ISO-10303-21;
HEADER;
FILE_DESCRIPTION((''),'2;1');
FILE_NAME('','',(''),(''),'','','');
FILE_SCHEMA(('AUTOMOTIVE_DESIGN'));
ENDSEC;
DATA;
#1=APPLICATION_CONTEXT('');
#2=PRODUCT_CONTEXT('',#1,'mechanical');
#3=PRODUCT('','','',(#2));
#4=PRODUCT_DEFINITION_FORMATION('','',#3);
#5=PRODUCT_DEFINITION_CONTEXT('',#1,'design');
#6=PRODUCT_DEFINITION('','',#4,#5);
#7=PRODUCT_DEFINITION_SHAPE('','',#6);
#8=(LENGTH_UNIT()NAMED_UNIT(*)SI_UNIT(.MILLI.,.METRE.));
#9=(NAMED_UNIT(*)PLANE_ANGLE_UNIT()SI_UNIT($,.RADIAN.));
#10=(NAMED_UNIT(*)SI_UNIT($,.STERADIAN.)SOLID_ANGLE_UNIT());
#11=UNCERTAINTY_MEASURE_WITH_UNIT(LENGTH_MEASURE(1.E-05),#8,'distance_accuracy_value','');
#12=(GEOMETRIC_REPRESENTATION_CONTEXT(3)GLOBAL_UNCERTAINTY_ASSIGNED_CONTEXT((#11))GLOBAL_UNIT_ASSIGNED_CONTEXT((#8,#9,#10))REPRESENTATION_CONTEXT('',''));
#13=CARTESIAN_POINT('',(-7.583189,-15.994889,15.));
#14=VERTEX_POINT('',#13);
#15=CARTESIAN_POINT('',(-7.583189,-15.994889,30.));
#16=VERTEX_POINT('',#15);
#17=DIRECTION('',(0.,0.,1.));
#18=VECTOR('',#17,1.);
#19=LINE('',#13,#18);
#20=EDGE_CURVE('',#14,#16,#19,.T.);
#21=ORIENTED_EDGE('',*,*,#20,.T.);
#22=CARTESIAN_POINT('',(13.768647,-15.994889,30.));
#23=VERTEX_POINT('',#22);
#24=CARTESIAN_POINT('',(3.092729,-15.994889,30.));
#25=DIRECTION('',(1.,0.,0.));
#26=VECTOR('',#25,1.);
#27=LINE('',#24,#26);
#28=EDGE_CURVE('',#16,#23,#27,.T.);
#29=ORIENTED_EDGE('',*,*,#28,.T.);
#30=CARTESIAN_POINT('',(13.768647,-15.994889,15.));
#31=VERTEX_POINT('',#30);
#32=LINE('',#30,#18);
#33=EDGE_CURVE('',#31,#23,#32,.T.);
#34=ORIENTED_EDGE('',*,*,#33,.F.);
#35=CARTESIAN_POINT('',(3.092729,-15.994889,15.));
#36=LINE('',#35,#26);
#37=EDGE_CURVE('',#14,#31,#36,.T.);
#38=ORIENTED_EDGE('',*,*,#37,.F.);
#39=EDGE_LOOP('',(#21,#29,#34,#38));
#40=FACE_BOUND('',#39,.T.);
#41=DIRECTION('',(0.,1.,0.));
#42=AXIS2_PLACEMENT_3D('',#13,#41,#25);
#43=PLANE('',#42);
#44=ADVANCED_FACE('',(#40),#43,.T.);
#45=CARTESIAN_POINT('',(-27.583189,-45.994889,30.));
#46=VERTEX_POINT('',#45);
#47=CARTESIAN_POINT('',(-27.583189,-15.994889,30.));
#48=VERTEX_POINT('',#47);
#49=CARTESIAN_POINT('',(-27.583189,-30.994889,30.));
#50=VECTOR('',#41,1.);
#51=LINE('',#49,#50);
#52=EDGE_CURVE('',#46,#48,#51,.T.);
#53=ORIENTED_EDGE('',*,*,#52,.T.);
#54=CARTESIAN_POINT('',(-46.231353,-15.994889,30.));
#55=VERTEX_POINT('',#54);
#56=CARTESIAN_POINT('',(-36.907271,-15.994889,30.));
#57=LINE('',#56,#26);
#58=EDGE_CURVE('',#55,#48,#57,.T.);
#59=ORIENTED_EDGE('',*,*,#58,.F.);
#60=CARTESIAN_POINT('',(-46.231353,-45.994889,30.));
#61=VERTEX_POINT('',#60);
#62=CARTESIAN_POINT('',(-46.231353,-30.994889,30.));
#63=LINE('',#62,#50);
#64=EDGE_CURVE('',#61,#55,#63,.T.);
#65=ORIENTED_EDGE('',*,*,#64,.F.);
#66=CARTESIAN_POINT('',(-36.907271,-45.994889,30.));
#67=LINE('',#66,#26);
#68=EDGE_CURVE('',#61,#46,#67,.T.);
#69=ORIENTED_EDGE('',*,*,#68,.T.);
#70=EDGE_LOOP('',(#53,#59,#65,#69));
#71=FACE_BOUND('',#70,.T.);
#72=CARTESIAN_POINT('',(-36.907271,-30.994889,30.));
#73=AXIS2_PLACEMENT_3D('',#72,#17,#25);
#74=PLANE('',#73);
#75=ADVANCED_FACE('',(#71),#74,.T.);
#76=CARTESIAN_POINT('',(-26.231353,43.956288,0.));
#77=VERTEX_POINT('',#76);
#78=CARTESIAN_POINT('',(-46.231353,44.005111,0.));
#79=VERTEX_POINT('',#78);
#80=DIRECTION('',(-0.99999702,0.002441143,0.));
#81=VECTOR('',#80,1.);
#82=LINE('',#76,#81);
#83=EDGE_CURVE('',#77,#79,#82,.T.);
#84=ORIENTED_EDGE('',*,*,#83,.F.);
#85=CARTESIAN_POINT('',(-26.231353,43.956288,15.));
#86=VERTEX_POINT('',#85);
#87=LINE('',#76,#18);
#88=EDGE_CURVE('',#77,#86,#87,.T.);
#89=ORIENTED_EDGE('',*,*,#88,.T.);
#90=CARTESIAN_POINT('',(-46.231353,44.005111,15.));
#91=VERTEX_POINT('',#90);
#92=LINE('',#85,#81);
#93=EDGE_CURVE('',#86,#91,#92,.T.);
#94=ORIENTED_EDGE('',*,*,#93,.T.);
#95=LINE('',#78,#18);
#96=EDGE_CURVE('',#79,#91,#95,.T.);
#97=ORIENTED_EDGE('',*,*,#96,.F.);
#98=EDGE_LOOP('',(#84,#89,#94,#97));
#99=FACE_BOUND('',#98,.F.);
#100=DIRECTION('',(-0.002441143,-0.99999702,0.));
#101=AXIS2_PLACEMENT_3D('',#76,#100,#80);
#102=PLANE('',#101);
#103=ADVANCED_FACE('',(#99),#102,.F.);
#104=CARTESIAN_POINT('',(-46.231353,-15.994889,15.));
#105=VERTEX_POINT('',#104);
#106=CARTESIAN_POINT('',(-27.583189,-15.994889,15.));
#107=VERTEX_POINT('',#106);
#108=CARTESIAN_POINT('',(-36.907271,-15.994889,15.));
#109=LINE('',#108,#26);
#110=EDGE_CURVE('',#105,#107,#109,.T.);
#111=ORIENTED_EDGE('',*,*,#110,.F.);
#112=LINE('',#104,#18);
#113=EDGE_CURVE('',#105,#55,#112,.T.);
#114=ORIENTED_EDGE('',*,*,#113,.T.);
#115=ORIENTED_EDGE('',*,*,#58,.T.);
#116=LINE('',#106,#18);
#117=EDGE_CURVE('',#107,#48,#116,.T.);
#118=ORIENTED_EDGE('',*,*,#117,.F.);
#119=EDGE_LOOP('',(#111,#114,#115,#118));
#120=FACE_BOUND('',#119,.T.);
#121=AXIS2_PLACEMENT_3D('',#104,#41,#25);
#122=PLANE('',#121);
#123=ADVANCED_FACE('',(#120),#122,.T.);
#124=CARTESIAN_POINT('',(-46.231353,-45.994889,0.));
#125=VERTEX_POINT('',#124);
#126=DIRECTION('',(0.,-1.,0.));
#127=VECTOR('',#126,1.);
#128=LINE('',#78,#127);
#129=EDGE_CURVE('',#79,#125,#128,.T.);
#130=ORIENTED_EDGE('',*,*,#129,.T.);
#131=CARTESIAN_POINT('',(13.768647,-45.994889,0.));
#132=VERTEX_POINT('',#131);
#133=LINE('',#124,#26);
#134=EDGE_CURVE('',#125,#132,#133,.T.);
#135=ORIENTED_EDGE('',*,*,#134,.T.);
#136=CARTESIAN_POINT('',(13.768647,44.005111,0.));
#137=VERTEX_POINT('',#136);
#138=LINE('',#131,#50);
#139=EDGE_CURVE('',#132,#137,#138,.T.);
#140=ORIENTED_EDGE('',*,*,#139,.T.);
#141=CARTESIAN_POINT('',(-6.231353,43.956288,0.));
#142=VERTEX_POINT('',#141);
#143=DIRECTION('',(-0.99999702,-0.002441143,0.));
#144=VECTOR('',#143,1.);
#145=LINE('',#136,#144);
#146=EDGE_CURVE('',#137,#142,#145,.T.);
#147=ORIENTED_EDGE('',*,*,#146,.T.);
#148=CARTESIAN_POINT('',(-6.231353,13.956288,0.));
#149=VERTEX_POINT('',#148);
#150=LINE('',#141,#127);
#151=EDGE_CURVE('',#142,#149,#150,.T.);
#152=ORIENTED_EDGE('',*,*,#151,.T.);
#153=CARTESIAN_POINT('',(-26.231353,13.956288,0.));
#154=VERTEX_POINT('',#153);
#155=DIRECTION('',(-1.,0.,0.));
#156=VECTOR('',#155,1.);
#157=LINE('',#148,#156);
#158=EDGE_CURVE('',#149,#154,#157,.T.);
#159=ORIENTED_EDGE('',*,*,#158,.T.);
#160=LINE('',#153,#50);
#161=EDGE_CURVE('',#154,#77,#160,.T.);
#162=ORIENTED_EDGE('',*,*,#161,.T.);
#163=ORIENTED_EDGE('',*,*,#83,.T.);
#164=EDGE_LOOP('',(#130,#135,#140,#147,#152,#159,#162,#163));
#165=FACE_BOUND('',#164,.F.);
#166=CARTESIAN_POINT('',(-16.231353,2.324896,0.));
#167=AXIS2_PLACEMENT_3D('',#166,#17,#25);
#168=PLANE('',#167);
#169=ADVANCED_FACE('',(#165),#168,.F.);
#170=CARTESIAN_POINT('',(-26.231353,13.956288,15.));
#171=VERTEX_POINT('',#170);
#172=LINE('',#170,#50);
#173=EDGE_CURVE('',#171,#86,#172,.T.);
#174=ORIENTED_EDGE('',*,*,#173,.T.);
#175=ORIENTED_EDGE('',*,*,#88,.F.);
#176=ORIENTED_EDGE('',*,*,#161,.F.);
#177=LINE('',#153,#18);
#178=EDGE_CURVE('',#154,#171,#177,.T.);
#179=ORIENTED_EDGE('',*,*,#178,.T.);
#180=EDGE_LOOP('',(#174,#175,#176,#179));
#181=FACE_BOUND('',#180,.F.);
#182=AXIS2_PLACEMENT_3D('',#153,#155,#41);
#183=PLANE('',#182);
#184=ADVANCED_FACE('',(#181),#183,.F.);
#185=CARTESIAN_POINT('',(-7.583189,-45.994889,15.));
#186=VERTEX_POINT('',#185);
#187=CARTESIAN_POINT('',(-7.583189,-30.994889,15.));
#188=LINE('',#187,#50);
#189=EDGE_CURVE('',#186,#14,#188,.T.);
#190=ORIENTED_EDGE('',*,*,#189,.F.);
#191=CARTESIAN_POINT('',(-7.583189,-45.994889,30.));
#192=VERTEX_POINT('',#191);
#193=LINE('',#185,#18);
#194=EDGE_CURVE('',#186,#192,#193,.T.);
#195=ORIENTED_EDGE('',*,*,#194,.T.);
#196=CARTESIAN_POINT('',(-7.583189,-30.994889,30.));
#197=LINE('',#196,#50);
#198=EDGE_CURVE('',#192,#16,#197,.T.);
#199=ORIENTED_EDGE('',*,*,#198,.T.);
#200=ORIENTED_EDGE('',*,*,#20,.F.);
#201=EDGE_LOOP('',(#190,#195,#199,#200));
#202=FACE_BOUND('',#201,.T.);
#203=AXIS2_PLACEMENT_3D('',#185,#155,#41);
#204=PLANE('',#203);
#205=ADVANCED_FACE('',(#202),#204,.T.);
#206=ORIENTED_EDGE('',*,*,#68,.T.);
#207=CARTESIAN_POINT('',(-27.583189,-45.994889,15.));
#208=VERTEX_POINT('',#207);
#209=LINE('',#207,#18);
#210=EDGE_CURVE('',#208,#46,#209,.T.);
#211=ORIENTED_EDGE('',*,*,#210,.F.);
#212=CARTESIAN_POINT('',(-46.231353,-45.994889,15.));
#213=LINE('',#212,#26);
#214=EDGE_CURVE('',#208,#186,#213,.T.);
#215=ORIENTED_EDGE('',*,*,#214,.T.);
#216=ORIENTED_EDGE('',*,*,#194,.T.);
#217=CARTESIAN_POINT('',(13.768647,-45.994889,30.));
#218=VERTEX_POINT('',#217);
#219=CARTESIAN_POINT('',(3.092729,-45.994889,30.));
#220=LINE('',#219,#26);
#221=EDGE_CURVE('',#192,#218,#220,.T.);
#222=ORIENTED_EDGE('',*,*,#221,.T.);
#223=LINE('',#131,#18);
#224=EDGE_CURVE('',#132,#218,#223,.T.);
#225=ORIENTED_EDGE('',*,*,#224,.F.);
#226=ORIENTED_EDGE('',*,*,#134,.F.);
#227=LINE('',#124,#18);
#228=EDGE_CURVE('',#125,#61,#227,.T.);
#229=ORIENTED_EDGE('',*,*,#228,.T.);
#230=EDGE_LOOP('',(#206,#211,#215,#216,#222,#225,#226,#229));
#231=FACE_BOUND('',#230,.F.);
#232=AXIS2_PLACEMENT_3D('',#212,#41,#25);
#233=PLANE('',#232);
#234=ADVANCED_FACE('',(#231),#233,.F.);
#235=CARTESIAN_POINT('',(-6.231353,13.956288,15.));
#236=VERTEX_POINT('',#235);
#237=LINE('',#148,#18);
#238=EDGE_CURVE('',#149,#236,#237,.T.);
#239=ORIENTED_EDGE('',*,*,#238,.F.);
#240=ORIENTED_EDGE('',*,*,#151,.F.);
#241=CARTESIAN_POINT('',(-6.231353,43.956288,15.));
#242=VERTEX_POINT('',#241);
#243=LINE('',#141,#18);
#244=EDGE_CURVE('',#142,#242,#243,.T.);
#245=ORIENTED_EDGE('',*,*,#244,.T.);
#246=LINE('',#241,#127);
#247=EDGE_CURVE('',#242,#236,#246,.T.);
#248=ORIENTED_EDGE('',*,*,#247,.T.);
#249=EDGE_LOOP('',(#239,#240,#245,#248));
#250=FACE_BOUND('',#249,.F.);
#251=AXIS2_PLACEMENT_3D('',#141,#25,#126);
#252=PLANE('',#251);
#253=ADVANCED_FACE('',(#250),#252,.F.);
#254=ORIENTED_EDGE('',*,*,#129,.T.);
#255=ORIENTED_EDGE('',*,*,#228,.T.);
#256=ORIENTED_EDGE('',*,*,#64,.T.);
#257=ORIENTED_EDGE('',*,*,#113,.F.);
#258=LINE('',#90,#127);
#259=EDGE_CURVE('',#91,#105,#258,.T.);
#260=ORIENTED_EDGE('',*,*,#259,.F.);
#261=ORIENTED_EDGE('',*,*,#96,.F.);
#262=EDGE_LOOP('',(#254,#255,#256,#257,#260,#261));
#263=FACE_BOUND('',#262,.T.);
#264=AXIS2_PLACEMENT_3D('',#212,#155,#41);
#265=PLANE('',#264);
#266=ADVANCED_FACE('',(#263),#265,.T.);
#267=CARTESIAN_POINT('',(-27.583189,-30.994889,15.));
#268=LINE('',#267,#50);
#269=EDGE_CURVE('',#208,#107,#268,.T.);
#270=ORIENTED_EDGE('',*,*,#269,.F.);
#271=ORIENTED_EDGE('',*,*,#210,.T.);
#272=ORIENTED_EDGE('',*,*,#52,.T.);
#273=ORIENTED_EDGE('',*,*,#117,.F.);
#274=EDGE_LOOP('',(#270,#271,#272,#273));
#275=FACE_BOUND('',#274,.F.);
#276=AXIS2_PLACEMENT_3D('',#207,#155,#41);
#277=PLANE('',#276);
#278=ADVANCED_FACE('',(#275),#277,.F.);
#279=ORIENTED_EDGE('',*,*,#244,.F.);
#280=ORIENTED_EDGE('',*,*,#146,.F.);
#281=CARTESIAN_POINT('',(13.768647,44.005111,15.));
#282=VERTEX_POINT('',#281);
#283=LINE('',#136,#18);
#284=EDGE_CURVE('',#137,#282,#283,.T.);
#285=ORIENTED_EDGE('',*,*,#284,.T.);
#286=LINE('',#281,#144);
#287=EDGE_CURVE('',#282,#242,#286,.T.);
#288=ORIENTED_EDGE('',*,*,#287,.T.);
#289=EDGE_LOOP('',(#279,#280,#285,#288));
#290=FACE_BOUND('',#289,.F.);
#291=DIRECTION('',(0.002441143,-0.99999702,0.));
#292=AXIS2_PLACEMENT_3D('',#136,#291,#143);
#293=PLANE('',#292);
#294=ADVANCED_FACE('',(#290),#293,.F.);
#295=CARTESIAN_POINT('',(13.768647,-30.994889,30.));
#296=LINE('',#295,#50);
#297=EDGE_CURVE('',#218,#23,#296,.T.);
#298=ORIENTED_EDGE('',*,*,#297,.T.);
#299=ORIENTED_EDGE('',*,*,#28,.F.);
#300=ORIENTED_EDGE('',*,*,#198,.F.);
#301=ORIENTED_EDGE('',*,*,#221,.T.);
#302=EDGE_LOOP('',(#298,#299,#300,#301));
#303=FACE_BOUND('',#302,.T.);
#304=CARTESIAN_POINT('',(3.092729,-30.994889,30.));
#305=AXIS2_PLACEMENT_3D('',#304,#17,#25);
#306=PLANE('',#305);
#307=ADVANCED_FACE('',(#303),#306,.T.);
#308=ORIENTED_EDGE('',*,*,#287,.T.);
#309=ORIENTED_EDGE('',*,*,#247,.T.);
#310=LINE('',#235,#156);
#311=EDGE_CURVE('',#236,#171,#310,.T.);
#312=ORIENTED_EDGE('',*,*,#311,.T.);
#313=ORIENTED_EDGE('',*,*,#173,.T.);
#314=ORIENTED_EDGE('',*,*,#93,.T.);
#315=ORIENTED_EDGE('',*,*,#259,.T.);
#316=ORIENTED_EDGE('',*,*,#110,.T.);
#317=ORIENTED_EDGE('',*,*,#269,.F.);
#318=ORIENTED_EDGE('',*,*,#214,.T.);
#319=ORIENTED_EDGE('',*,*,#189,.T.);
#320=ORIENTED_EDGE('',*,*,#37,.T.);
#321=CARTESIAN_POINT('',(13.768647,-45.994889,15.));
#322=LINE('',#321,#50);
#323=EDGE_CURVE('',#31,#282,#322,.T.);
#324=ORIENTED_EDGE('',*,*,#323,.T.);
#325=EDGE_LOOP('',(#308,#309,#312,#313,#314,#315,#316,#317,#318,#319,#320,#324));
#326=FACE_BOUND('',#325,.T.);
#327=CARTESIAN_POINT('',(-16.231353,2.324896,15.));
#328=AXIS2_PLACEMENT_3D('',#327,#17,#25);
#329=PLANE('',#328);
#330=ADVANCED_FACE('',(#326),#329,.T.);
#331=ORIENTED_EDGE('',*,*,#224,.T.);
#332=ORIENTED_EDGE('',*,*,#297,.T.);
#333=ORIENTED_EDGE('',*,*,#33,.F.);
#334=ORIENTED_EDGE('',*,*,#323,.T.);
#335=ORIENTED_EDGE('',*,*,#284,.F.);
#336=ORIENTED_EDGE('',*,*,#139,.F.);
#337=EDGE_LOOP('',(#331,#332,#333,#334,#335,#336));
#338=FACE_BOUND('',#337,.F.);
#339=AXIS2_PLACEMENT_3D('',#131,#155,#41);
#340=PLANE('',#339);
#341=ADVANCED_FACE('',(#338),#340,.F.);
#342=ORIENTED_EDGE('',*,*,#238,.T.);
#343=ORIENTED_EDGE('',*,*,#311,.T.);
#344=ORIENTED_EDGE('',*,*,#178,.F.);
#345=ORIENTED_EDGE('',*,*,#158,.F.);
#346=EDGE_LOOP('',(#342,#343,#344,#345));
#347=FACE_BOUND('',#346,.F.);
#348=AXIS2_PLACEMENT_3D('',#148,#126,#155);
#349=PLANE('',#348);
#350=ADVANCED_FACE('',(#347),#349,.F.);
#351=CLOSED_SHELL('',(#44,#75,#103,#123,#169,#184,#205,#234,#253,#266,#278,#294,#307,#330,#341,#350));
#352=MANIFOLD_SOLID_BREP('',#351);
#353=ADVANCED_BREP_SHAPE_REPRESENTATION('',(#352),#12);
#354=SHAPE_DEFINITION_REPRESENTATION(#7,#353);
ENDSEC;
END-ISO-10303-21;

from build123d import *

# Parameters (mm, degrees)
F1_DEPTH = 15
F2_W     = 18.648164
F2_H     = 30
F2_W_2   = 21.351836
F3_DEPTH = 15


with BuildPart() as f1:
    # F0 (on Top) → F1 (new body)
    with BuildSketch(Plane.XY):
        Polygon((-46.231353, 44.005111), (-46.231353, -45.994889), (13.768647, -45.994889), (13.768647, 44.005111), (-6.231353, 43.956288), (-6.231353, 13.956288), (-26.231353, 13.956288), (-26.231353, 43.956288), align=None)
    extrude(amount=F1_DEPTH)

    # F2 (on face) → F3 (join)
    with BuildSketch(Plane.XY.offset(15)):
        with Locations((-36.907271, -30.994889)):
            Rectangle(F2_W, F2_H)
        with Locations((3.092729, -30.994889)):
            Rectangle(F2_W_2, F2_H)
    extrude(amount=F3_DEPTH)


solid = f1.part
